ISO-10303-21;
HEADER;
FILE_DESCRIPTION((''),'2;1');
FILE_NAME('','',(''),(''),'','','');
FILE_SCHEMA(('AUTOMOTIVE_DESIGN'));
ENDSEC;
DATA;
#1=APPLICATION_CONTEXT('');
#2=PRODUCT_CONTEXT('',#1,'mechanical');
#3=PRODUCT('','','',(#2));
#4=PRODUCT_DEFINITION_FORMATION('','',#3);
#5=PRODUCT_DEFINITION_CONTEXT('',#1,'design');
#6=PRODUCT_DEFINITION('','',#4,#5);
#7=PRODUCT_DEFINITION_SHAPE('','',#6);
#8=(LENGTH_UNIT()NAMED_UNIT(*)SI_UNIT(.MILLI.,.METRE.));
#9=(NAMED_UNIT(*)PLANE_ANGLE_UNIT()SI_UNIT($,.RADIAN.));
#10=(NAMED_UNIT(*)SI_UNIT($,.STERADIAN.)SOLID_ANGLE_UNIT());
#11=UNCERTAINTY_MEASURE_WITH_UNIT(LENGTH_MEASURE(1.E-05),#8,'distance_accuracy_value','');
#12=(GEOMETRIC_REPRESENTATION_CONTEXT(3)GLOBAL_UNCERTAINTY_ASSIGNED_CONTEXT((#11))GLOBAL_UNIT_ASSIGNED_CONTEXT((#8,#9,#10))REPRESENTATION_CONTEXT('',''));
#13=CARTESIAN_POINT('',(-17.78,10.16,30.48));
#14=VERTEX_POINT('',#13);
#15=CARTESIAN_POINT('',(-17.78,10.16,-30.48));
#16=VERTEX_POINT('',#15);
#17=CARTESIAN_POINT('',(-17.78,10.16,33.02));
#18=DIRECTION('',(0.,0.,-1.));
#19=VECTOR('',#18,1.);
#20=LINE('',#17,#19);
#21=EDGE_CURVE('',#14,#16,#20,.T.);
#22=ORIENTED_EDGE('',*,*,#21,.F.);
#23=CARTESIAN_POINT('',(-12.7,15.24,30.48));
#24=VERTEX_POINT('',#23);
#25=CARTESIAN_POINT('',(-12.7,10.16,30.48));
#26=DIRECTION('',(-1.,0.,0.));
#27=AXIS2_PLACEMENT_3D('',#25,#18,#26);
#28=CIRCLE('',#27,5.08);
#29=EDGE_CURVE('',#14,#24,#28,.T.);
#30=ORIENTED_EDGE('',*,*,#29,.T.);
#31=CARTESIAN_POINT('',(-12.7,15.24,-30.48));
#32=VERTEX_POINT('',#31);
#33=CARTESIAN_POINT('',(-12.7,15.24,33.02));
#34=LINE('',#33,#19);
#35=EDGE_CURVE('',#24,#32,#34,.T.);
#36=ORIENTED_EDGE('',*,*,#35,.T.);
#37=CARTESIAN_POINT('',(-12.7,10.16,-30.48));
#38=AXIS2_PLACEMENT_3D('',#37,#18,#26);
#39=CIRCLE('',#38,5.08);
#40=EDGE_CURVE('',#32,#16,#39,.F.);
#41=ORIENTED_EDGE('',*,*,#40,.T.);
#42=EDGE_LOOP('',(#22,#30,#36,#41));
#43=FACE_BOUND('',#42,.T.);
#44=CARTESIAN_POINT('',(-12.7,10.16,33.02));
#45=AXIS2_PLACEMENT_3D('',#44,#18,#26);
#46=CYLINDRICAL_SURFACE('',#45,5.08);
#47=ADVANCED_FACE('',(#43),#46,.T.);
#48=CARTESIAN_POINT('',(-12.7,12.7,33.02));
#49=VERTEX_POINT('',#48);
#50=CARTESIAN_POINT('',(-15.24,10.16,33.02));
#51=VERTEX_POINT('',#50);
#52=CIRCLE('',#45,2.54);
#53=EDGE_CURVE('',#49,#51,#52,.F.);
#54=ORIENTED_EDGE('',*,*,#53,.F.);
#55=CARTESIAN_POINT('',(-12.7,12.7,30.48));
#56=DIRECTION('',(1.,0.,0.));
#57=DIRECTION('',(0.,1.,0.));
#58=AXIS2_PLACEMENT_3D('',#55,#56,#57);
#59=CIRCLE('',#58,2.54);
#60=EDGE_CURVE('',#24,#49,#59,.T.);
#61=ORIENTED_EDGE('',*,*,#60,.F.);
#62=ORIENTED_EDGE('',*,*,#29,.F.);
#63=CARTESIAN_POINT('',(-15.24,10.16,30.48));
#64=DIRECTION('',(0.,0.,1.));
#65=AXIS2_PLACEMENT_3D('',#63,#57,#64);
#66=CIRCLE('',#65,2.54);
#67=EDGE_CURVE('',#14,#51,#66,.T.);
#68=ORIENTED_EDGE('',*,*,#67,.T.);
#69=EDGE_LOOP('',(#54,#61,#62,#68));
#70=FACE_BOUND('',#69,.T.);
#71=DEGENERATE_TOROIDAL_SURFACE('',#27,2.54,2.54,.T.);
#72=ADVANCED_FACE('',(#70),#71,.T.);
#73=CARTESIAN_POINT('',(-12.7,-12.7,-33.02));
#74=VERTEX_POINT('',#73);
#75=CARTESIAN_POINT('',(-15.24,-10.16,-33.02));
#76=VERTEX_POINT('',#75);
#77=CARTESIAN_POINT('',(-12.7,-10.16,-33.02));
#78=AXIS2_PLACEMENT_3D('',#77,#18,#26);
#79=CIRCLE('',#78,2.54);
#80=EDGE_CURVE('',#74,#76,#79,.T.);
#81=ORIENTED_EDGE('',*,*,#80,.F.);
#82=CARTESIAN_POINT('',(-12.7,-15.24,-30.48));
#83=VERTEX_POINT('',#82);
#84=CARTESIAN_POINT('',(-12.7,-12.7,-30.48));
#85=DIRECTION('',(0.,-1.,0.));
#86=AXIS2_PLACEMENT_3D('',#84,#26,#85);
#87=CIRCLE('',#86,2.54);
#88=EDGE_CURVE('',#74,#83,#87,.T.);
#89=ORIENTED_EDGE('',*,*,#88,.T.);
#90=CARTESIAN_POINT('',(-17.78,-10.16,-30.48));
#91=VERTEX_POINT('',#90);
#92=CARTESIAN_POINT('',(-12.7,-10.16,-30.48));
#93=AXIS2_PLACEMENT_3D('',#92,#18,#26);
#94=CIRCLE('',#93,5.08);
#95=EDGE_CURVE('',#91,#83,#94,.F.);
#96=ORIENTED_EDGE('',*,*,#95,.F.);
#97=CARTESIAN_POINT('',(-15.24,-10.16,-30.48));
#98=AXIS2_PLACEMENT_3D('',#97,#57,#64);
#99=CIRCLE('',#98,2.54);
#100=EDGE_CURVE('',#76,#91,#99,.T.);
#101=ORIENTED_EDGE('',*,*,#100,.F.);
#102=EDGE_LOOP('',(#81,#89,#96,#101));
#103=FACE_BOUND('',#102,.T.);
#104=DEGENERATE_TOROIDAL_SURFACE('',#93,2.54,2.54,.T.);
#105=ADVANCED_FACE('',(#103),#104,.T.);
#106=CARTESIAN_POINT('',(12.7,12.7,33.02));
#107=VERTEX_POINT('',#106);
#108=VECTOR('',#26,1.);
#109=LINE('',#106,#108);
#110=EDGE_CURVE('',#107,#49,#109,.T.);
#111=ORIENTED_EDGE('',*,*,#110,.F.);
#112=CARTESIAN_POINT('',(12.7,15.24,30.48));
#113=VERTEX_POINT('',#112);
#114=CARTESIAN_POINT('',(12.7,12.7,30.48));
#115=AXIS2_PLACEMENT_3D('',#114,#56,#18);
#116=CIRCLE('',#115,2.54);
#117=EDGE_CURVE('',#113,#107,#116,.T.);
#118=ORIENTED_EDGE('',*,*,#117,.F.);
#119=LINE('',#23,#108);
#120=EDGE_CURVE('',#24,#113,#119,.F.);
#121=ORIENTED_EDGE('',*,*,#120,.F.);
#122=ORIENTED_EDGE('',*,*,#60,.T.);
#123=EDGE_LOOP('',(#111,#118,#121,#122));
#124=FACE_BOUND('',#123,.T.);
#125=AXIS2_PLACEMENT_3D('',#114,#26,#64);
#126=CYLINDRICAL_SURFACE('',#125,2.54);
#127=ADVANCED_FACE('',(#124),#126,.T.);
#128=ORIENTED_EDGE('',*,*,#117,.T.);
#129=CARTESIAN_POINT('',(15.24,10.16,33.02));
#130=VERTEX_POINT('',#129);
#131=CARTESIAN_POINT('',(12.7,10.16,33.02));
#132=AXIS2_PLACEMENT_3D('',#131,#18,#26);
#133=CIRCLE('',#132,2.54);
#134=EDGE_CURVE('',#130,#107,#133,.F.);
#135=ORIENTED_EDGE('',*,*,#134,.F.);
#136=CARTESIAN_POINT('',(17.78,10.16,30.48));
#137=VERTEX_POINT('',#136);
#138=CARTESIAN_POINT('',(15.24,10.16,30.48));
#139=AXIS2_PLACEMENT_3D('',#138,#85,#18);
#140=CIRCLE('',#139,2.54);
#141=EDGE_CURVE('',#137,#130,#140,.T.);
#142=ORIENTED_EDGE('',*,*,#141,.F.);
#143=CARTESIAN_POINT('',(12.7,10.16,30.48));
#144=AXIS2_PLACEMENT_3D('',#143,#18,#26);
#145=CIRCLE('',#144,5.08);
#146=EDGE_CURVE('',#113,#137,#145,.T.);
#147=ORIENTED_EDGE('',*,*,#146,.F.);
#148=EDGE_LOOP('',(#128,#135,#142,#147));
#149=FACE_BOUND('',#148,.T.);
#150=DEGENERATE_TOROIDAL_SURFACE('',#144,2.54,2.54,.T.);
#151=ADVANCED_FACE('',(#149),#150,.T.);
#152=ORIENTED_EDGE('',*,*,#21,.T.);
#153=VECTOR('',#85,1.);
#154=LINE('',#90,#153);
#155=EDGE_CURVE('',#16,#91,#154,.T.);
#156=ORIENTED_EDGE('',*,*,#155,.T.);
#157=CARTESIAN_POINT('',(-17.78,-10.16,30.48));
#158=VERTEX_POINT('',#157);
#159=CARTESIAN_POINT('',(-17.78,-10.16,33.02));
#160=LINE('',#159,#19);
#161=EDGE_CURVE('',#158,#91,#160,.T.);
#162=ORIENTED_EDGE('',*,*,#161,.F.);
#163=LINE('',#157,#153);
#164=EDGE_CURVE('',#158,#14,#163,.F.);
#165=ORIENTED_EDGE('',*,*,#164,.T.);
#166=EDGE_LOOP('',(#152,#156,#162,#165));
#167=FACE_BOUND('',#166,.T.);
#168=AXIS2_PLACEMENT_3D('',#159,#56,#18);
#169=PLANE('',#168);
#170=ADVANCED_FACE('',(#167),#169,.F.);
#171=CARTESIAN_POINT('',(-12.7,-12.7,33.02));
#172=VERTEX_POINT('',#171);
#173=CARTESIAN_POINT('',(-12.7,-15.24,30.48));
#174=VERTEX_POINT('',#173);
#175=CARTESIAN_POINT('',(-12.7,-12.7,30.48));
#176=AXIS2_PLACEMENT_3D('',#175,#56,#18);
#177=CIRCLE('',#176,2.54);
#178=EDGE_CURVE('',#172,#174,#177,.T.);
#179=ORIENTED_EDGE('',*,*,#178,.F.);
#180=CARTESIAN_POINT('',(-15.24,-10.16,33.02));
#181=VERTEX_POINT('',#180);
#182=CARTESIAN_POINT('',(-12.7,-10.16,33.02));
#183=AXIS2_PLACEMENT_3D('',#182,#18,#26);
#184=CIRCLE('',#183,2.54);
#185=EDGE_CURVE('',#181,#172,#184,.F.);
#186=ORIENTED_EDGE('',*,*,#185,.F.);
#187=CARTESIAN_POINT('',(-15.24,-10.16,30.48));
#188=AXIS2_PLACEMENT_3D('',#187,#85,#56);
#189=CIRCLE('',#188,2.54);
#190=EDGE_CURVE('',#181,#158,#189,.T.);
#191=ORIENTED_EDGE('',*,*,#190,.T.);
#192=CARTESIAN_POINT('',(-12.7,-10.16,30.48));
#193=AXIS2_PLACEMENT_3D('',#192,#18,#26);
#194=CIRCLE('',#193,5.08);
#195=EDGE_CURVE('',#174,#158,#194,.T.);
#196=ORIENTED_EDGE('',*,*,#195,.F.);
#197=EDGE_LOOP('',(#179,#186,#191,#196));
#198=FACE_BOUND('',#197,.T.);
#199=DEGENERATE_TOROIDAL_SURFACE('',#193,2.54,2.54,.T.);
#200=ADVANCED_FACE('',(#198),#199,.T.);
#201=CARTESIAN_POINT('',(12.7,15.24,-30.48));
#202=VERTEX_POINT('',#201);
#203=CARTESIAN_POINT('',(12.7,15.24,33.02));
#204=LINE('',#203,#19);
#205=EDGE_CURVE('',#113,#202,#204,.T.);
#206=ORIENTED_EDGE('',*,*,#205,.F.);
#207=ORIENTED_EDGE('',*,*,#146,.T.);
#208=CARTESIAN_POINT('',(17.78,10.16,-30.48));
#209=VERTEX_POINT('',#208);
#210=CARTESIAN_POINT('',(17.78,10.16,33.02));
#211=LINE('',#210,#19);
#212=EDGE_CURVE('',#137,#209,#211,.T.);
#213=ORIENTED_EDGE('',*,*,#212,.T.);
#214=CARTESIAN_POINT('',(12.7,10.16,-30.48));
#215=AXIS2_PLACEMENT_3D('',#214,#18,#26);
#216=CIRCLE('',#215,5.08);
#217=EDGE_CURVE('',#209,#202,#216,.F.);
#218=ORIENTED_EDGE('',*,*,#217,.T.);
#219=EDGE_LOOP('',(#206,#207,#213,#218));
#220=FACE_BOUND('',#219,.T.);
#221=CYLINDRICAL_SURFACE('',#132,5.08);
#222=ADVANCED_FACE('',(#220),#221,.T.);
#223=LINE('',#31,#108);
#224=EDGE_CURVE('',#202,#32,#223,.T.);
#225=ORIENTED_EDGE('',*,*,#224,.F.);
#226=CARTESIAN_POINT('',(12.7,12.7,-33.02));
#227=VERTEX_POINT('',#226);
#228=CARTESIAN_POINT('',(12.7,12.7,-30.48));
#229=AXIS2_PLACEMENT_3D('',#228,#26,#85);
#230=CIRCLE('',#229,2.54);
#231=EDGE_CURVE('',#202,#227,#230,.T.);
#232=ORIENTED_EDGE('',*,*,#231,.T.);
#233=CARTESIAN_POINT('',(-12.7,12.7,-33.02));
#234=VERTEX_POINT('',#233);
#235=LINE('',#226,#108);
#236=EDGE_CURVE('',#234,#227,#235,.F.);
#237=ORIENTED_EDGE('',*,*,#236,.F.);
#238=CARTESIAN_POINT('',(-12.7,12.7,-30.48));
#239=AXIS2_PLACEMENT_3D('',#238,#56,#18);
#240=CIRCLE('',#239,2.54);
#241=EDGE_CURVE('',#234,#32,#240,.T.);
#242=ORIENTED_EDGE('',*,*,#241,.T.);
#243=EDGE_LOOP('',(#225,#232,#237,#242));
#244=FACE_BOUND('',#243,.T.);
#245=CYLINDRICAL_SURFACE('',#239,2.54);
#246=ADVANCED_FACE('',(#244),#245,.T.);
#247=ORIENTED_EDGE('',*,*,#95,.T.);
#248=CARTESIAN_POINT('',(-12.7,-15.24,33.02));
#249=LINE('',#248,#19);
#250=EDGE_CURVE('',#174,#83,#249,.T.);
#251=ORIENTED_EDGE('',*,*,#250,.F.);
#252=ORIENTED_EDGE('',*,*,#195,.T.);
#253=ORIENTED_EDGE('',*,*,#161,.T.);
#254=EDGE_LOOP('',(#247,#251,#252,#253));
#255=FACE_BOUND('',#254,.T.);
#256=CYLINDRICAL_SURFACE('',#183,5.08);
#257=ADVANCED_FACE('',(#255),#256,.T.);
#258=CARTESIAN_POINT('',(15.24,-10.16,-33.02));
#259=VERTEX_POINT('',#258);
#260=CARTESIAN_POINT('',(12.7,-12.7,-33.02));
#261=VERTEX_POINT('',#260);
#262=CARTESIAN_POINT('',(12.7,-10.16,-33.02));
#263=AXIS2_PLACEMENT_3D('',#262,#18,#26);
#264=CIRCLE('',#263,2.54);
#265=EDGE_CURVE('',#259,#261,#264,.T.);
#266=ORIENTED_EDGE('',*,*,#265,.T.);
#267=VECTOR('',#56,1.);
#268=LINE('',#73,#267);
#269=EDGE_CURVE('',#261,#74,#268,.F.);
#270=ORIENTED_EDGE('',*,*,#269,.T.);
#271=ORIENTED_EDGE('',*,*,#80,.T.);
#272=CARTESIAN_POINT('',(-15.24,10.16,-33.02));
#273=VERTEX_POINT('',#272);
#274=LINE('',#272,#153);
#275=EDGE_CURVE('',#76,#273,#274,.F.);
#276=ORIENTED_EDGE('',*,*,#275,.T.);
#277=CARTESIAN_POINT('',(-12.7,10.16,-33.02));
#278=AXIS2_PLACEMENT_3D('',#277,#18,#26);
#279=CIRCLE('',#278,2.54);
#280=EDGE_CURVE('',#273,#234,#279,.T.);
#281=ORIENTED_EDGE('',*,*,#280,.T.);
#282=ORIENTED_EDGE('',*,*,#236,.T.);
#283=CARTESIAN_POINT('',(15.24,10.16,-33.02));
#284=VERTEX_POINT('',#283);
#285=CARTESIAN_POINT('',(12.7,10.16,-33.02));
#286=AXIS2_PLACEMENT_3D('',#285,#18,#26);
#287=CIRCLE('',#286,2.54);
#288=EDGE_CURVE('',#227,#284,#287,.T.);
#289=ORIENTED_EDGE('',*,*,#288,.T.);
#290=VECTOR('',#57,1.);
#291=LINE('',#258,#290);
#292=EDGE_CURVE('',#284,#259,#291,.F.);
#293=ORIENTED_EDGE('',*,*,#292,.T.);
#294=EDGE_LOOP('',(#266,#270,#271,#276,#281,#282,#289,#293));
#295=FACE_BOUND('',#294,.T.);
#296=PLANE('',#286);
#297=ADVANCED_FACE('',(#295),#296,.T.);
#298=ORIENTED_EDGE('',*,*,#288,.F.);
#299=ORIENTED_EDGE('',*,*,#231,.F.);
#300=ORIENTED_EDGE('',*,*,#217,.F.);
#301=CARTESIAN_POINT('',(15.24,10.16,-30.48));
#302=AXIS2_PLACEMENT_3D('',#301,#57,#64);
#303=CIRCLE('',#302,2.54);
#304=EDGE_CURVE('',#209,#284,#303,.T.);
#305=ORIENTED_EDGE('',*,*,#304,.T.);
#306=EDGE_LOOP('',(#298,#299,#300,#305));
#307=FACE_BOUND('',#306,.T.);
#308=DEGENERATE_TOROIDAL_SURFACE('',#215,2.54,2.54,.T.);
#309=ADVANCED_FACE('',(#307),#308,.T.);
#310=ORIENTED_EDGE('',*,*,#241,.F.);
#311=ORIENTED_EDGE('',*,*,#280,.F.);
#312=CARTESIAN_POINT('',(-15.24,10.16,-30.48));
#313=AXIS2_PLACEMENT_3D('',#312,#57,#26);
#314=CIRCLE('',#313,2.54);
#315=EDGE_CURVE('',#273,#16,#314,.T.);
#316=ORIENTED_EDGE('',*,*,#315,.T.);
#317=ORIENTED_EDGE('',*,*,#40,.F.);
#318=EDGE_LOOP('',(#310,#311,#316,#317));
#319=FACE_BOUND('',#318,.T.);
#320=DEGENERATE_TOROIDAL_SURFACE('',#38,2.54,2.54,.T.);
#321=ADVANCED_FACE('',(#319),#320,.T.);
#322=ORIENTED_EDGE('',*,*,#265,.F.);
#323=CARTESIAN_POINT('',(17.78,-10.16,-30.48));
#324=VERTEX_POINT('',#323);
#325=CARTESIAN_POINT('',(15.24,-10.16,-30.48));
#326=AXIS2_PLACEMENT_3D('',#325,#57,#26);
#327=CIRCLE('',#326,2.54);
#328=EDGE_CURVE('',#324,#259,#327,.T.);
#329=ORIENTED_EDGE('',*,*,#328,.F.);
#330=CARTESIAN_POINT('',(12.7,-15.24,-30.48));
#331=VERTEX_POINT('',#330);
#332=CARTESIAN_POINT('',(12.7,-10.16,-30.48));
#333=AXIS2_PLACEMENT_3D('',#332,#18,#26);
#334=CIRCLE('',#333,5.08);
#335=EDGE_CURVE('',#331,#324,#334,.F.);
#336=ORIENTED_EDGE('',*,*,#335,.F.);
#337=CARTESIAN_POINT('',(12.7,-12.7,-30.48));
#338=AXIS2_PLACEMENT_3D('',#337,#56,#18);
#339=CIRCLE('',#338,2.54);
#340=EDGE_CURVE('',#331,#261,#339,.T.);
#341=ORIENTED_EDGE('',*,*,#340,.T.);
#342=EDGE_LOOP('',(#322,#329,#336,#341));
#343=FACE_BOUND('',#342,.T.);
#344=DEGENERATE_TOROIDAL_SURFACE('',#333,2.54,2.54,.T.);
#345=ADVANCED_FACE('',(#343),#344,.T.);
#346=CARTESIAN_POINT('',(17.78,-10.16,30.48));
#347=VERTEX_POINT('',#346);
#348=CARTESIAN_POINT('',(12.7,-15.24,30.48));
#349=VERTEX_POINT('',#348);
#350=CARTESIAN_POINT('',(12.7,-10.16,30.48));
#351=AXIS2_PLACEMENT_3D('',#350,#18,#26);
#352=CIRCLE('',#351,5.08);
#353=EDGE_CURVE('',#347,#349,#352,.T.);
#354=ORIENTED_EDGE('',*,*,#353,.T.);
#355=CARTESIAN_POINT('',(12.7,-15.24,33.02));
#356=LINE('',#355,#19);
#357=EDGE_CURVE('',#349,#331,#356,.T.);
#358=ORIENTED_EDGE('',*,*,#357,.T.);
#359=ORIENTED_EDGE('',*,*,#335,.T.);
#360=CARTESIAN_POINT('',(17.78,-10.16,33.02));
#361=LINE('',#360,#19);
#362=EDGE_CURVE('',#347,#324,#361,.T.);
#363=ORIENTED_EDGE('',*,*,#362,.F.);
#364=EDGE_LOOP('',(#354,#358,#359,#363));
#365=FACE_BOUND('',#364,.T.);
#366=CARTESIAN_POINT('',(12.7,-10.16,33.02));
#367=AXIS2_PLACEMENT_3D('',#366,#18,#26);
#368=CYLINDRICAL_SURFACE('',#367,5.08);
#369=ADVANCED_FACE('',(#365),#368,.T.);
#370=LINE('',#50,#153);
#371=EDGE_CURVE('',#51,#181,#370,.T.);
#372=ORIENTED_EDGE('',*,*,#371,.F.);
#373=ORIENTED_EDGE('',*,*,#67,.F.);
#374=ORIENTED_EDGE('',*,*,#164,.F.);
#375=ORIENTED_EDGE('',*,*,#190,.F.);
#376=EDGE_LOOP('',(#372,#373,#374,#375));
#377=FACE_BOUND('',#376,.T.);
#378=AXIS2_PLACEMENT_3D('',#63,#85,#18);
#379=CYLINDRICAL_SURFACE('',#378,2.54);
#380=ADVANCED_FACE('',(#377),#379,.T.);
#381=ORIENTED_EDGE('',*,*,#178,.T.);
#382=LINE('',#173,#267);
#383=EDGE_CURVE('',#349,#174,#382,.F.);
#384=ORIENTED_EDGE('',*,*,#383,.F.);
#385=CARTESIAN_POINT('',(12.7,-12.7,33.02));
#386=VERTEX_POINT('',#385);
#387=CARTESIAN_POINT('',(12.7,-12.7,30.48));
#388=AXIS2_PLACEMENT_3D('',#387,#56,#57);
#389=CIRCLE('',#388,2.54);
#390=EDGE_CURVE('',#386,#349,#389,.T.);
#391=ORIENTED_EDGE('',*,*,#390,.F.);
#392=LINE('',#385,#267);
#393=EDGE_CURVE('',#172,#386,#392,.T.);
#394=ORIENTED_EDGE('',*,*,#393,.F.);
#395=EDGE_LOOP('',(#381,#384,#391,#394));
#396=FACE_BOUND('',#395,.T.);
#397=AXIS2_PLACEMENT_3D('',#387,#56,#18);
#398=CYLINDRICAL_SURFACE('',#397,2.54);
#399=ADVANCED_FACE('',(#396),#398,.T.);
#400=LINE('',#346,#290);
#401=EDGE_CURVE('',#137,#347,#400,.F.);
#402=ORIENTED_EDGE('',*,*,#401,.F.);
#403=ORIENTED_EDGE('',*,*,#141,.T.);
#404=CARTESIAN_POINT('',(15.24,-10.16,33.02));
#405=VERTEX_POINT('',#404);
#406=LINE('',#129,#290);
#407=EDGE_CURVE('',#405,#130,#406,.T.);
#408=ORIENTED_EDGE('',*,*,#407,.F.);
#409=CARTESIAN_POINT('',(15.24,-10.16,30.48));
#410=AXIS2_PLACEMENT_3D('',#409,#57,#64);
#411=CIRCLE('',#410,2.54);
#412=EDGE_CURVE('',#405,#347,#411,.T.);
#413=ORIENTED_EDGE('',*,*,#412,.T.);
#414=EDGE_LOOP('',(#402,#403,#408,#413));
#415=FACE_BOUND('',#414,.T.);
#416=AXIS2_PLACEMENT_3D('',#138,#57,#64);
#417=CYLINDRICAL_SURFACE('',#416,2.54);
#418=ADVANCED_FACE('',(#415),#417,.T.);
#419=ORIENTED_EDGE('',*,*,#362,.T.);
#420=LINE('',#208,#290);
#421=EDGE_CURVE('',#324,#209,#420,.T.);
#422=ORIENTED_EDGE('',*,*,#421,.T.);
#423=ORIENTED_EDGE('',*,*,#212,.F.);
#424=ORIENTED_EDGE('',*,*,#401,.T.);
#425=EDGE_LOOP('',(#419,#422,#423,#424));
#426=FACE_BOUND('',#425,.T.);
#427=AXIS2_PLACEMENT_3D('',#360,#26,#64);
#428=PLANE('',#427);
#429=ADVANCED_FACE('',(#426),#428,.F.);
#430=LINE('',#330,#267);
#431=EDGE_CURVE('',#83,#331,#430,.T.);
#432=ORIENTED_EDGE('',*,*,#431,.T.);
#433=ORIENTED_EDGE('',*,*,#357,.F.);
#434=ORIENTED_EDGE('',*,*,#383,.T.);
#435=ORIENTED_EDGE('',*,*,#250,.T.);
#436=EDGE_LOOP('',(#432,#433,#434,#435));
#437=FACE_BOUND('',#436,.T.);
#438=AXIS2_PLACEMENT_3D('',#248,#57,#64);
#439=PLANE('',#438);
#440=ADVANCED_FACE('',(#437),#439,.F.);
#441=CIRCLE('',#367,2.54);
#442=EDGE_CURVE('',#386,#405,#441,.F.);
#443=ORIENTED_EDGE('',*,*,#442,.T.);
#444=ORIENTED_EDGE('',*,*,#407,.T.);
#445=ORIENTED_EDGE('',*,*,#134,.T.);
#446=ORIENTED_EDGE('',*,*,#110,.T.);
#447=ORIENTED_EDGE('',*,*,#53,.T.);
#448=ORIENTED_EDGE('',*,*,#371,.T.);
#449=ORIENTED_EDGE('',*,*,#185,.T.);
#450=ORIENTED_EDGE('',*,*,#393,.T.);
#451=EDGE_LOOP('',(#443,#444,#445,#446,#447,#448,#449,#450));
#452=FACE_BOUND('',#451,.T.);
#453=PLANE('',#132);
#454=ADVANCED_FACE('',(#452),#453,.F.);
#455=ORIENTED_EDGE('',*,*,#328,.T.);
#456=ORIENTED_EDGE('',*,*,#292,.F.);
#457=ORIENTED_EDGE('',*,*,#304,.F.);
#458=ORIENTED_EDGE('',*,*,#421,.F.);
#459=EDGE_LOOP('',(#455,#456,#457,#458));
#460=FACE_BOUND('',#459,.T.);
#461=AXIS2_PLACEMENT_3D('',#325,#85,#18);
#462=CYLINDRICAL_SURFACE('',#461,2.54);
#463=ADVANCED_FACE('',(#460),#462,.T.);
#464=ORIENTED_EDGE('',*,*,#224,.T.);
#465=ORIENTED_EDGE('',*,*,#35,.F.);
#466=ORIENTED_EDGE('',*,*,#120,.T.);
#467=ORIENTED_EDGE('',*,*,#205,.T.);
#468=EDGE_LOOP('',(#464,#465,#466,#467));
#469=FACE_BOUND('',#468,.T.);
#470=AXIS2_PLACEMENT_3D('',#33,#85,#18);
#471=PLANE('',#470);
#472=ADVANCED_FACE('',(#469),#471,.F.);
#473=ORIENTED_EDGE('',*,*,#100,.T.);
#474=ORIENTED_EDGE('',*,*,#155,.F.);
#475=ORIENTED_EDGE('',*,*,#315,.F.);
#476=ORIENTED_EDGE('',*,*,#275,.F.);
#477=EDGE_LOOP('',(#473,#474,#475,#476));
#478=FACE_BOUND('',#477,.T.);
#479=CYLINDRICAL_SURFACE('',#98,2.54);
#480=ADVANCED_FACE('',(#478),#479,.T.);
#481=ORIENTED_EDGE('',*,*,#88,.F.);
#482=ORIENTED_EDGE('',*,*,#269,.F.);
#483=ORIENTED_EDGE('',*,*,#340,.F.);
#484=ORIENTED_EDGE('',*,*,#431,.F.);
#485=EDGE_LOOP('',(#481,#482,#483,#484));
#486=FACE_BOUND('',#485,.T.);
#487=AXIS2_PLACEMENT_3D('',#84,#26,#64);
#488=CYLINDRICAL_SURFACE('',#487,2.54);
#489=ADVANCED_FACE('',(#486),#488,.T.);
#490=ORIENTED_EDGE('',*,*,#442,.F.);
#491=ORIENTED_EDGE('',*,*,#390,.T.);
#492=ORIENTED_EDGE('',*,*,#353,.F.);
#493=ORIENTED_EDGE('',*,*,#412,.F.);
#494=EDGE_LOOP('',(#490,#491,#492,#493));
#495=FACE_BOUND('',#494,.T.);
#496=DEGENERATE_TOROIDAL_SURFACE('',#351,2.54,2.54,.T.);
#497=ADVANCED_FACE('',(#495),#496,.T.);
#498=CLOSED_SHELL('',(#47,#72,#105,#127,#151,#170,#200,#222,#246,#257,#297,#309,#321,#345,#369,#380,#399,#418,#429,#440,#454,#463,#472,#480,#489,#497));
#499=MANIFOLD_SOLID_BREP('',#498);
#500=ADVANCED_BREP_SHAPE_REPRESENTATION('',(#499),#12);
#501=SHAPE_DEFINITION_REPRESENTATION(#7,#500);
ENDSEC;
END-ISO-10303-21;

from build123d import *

# Parameters (mm, degrees)
BOSS_EXTRUDE1_DEPTH = 33.02
FILLET1_R           = 2.54


with BuildPart() as part:
    # Sketch1 → Boss-Extrude1 (new body, symmetric)
    with BuildSketch(Plane.XY):
        with BuildLine():
            Line((-12.7, -15.24), (12.7, -15.24))
            ThreePointArc((12.7, -15.24), (16.292102448, -13.752102448), (17.78, -10.16))
            Line((17.78, -10.16), (17.78, 10.16))
            ThreePointArc((17.78, 10.16), (16.292102448, 13.752102448), (12.7, 15.24))
            Line((12.7, 15.24), (-12.7, 15.24))
            ThreePointArc((-12.7, 15.24), (-16.292102448, 13.752102448), (-17.78, 10.16))
            Line((-17.78, 10.16), (-17.78, -10.16))
            ThreePointArc((-17.78, -10.16), (-16.292102448, -13.752102448), (-12.7, -15.24))
        make_face()
    extrude(amount=BOSS_EXTRUDE1_DEPTH, both=True)

    # Fillet1
    fillet1_edges = [part.edges().sort_by_distance(p)[0] for p in [
        (-16.292102448, 13.752102448, 33.02),
        (0, 15.24, -33.02),
        (16.292102448, 13.752102448, -33.02),
        (-17.78, 0, 33.02),
        (-16.292102448, -13.752102448, 33.02),
        (0, -15.24, 33.02),
        (16.292102448, -13.752102448, 33.02),
        (17.78, 0, 33.02),
        (16.292102448, 13.752102448, 33.02),
        (0, 15.24, 33.02),
        (17.78, 0, -33.02),
        (16.292102448, -13.752102448, -33.02),
        (0, -15.24, -33.02),
        (-16.292102448, -13.752102448, -33.02),
        (-17.78, 0, -33.02),
        (-16.292102448, 13.752102448, -33.02),
    ]]
    fillet(fillet1_edges, radius=FILLET1_R)


solid = part.part
